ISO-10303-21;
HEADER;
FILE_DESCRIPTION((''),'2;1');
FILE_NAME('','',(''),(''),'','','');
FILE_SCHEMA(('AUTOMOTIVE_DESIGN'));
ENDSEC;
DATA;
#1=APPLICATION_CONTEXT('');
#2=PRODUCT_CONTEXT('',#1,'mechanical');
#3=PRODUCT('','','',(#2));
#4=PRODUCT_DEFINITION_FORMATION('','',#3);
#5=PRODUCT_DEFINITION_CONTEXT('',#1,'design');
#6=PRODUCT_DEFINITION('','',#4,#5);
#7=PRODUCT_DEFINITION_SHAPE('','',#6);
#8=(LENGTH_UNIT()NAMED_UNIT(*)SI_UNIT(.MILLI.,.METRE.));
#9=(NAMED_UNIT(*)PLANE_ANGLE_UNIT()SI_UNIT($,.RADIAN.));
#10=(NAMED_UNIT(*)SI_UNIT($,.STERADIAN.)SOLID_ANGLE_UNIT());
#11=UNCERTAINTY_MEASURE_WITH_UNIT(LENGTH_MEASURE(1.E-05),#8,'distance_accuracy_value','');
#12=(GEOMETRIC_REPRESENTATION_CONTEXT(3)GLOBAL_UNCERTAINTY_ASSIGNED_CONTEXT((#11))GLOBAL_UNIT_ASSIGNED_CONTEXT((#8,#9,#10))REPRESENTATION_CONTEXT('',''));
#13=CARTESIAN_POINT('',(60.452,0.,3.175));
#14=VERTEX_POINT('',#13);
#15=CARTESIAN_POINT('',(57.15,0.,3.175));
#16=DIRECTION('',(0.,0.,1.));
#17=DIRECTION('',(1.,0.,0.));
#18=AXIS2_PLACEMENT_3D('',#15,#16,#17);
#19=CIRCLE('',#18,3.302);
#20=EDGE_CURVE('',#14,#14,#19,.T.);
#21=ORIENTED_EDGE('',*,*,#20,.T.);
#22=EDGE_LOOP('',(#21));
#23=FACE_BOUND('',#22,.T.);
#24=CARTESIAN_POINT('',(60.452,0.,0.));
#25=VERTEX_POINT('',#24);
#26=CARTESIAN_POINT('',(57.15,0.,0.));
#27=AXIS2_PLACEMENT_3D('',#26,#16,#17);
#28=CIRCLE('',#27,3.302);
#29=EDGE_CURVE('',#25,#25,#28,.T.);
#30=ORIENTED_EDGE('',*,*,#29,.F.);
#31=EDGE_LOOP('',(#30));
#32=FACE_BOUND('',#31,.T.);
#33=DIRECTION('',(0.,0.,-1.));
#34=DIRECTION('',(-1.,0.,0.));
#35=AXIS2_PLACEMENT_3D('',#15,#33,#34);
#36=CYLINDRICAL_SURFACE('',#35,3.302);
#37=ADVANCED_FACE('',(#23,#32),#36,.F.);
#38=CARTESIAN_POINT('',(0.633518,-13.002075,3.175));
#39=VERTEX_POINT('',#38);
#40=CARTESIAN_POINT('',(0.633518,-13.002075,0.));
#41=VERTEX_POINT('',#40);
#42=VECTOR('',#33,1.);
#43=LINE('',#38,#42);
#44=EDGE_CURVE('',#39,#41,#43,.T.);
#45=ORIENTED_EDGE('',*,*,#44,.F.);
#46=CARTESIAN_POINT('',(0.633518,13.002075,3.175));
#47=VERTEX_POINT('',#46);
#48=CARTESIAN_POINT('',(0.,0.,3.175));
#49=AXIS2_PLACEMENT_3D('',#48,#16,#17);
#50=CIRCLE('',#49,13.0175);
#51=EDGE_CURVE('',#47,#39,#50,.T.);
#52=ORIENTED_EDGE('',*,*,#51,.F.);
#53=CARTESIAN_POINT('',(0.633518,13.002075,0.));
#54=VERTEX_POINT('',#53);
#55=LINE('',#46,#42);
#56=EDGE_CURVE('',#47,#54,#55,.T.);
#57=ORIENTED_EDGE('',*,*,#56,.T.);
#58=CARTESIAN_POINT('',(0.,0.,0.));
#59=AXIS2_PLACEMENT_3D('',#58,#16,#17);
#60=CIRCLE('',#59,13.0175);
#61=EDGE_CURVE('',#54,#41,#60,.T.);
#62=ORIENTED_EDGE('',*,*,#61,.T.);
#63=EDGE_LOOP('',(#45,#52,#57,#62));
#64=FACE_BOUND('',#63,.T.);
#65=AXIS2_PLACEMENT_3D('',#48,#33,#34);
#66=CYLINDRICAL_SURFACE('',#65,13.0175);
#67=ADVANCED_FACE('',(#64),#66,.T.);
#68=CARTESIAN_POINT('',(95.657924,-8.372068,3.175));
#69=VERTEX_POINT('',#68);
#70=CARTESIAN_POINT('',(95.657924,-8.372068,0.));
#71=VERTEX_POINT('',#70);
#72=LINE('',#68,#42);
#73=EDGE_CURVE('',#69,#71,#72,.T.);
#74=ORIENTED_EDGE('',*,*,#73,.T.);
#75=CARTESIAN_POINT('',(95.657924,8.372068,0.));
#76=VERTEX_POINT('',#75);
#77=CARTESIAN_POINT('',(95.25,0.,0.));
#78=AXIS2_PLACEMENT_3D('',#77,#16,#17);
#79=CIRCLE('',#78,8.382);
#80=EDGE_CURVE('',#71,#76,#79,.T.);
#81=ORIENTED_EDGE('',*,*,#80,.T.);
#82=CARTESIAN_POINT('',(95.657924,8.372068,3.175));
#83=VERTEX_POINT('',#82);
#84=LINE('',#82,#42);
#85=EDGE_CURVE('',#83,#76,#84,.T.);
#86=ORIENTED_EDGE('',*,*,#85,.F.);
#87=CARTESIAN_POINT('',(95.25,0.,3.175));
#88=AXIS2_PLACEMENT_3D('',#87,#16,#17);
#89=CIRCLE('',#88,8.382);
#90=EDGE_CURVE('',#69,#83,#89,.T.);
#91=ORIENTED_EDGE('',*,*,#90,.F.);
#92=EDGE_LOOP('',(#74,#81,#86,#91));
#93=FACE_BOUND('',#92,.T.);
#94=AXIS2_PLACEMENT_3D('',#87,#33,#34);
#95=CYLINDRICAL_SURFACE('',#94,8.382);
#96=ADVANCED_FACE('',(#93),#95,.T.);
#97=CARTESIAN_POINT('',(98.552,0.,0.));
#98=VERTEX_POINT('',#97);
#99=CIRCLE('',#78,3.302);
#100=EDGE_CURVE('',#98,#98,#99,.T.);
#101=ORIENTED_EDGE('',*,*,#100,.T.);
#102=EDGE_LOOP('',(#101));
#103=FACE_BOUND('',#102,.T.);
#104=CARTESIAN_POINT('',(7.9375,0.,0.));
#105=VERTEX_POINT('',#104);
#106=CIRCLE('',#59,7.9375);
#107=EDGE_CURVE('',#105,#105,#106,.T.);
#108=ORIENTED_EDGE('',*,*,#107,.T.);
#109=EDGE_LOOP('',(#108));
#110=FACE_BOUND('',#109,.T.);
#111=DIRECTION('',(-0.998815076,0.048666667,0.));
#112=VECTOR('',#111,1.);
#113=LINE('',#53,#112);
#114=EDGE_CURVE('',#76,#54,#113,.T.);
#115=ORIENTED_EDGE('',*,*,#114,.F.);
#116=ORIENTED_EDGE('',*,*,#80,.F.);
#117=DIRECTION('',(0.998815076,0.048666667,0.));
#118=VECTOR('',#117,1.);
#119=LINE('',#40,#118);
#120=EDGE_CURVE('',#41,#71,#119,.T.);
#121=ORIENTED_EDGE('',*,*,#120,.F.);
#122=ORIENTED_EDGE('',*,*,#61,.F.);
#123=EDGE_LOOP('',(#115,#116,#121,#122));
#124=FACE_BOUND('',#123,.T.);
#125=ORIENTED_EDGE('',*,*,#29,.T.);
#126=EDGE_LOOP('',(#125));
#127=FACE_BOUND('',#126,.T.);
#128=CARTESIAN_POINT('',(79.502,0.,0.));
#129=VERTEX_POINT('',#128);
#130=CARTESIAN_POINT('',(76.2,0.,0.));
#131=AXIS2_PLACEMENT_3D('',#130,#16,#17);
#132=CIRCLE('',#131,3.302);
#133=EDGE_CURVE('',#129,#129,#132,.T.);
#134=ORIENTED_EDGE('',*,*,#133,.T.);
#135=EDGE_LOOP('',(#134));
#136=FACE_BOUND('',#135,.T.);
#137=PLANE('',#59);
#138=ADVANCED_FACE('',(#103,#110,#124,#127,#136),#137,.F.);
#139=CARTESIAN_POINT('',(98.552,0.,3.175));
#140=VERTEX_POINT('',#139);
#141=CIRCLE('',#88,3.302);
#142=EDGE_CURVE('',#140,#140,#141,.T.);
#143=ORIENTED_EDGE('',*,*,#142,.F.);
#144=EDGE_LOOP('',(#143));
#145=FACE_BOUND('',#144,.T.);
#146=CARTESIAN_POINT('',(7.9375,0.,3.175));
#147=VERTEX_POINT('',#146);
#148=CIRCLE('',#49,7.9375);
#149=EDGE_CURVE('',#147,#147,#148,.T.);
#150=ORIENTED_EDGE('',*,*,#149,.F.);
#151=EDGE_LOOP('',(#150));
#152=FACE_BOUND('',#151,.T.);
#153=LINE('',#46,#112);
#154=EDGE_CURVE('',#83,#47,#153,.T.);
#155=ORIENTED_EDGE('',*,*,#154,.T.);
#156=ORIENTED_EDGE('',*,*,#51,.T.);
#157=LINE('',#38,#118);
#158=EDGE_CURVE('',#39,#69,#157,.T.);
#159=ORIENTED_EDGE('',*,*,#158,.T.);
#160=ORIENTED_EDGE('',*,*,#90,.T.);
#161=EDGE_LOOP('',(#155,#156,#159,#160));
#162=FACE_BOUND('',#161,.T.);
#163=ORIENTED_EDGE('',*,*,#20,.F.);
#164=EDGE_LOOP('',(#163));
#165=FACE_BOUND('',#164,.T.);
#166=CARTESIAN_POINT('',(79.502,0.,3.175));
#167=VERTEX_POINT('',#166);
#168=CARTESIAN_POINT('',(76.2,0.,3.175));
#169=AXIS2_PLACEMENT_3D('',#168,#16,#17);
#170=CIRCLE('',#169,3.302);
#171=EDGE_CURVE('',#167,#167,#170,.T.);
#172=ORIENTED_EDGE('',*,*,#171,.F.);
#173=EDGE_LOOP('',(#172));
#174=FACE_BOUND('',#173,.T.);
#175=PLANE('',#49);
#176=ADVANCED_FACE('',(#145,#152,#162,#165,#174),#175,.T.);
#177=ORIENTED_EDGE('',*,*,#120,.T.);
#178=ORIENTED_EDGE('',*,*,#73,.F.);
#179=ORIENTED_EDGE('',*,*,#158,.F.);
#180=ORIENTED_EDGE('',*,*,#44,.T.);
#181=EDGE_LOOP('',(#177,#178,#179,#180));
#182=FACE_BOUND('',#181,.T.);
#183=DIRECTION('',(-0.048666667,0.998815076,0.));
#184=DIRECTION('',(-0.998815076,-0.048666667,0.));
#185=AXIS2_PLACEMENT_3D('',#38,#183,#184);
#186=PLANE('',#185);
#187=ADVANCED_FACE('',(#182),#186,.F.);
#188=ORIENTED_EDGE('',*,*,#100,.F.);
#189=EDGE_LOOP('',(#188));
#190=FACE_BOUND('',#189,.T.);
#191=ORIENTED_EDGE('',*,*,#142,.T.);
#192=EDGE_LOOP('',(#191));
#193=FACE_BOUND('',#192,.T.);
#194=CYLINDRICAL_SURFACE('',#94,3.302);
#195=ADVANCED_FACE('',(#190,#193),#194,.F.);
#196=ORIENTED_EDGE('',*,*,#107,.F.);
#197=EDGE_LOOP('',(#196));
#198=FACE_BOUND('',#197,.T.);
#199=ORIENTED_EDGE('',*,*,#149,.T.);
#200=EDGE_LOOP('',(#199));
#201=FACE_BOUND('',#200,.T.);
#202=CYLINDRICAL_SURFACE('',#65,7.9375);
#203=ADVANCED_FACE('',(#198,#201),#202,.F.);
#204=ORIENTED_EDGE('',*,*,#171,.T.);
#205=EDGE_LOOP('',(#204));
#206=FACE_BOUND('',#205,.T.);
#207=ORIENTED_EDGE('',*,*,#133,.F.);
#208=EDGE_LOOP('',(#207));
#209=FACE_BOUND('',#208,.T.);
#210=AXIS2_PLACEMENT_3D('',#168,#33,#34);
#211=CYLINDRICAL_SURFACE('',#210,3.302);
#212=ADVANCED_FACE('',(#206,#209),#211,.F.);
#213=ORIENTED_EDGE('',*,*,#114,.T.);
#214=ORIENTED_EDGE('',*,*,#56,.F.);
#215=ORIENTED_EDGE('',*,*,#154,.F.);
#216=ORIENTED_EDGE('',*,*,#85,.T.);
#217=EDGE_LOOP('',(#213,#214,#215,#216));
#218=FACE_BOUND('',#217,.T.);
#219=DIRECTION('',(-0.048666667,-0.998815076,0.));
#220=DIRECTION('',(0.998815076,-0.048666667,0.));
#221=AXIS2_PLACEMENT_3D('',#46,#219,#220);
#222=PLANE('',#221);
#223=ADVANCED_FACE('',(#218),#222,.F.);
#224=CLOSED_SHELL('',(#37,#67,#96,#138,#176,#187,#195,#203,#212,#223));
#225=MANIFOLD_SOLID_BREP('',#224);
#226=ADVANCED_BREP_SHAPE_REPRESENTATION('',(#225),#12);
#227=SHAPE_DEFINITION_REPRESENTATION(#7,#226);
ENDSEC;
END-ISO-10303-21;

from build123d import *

# Parameters (mm, degrees)
SKETCH1_R          = 7.9375
SKETCH1_R_2        = 3.302
EXTRUDE_BODY_DEPTH = 3.175


with BuildPart() as part:
    # Sketch1 → Extrude - Body (new body)
    with BuildSketch(Plane.XY):
        with BuildLine():
            Line((0.633518333, 13.002075249), (95.657924, 8.372067965))
            ThreePointArc((95.657924, 8.372067965), (103.632, 0), (95.657924, -8.372067965))
            Line((95.657924, -8.372067965), (0.633518333, -13.002075249))
            ThreePointArc((0.633518333, -13.002075249), (-13.0175, 0), (0.633518333, 13.002075249))
        make_face()
        Circle(SKETCH1_R, mode=Mode.SUBTRACT)
        with Locations((57.15, 0)):
            Circle(SKETCH1_R_2, mode=Mode.SUBTRACT)
        with Locations((76.2, 0)):
            Circle(SKETCH1_R_2, mode=Mode.SUBTRACT)
        with Locations((95.25, 0)):
            Circle(SKETCH1_R_2, mode=Mode.SUBTRACT)
    extrude(amount=EXTRUDE_BODY_DEPTH)


solid = part.part
